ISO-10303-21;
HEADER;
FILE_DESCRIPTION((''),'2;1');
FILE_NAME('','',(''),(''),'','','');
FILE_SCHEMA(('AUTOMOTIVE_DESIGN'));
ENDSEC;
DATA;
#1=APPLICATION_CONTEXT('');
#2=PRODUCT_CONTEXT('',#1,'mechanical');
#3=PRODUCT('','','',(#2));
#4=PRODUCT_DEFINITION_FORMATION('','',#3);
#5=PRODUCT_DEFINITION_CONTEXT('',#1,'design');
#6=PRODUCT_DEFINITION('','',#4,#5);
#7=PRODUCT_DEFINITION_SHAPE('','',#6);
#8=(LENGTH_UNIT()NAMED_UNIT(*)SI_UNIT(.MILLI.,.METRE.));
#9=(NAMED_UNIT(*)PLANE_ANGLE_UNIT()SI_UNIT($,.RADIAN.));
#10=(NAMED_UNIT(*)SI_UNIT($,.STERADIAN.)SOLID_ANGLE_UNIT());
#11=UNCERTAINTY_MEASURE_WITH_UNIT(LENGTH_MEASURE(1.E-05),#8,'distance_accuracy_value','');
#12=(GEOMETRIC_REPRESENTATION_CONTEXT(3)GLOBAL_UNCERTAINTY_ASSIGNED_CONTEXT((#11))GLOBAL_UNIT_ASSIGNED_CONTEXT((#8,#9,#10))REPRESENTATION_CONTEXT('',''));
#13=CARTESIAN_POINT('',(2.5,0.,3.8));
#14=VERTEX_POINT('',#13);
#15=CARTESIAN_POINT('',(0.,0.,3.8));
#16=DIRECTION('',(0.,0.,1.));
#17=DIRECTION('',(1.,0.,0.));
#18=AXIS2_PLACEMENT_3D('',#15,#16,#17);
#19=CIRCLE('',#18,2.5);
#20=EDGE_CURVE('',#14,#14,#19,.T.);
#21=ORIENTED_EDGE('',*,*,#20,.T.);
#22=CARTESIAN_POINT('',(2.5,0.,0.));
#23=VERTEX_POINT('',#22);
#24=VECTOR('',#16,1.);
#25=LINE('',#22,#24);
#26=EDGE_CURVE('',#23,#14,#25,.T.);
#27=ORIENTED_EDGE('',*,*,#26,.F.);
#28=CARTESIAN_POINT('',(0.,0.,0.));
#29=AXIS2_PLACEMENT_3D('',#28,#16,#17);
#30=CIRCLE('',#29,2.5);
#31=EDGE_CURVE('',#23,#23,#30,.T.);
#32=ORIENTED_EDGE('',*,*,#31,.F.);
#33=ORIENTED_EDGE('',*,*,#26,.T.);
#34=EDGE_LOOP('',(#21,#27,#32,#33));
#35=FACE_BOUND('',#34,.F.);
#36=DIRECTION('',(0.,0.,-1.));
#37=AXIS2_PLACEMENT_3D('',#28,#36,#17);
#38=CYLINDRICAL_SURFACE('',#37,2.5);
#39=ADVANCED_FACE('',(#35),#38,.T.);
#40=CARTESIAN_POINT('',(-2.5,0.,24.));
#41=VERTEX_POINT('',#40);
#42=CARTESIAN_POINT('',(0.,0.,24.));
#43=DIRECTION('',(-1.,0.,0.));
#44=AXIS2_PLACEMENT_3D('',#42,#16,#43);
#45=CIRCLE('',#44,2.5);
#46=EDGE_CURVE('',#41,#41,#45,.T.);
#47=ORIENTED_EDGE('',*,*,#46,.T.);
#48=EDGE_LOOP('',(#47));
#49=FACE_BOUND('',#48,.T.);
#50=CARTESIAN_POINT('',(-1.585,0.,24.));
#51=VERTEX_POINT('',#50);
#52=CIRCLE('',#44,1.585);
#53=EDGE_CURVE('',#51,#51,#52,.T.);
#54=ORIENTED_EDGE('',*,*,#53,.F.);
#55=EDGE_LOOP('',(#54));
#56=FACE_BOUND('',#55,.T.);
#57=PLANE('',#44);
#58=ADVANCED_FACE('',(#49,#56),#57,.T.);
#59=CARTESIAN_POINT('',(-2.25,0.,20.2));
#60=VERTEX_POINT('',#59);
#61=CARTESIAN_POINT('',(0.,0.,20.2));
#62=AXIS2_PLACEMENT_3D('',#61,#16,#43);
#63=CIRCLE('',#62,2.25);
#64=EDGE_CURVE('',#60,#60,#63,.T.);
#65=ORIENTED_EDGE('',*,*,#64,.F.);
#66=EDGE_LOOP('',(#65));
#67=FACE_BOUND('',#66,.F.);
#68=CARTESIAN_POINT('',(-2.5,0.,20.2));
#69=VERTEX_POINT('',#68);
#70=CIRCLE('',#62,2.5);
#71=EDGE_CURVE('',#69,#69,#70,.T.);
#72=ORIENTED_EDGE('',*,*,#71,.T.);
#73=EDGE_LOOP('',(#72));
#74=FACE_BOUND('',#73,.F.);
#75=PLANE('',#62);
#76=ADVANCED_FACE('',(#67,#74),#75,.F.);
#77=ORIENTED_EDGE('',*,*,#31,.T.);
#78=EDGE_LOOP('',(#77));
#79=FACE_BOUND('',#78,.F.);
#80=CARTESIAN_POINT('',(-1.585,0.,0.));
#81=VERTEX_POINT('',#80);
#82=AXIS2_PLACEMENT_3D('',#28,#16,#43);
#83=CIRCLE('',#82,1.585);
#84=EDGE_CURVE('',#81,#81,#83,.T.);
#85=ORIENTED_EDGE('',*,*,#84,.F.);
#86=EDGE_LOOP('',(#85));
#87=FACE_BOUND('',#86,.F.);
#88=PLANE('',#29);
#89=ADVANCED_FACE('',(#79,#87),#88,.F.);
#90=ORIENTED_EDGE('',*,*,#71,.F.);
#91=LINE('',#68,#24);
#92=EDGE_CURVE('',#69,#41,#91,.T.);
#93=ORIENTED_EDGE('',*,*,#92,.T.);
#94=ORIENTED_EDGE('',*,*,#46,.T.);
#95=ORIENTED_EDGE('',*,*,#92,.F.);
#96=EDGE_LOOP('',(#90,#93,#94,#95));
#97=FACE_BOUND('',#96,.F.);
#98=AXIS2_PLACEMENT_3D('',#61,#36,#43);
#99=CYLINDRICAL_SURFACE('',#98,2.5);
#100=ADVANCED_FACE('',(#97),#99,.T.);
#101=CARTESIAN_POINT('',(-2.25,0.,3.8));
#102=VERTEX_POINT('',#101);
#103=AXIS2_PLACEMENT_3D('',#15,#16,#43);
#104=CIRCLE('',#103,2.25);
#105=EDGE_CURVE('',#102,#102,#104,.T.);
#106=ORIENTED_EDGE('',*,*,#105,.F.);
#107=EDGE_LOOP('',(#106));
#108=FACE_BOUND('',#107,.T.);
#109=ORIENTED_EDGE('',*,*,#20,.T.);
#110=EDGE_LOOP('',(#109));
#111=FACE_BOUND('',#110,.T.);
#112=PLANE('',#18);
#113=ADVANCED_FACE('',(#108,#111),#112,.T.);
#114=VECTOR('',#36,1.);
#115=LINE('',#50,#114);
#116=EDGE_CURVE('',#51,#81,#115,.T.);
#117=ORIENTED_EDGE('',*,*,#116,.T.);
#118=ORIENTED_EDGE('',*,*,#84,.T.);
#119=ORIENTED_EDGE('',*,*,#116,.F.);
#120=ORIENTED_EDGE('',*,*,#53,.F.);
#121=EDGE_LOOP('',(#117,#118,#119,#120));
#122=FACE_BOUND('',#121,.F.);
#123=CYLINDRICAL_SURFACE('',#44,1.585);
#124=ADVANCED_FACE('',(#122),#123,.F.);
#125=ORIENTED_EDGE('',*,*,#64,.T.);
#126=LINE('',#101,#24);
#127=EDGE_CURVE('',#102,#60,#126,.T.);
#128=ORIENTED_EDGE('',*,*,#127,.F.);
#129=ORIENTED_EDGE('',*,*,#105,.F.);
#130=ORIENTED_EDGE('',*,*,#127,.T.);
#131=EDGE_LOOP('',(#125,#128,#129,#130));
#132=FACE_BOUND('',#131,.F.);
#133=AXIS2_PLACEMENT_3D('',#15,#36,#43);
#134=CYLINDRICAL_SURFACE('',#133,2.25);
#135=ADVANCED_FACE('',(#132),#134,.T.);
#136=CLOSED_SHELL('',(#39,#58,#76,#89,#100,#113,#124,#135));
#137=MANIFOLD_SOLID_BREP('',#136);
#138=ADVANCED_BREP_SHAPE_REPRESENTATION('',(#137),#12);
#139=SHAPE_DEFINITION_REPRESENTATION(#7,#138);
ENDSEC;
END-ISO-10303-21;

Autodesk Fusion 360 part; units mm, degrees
sketch "スケッチ17" plane through (0, 0, 0) normal (0, 0, 1) x (1, 0, 0)
  circle A0 centre (0, 0) radius 2.5
  dimension "d50" = 5
extrude "押し出し14" add sketch "スケッチ17" along normal blind 3.8
sketch "スケッチ18" plane through (0, 0, 3.8) normal (0, 0, 1) x (-1, 0, 0)
  circle A0 centre (0, 0) radius 2.5
  circle A1 centre (0, 0) radius 2.25
  dimension "d53" = 4.5
extrude "押し出し15" add sketch "スケッチ18" along normal blind 16.4 contours A1
sketch "スケッチ19" plane through (0, 0, 20.2) normal (0, 0, 1) x (-1, 0, 0)
  circle A0 centre (0, 0) radius 2.25
  circle A1 centre (0, 0) radius 2.5
  dimension "d56" = 5
extrude "押し出し16" add sketch "スケッチ19" along normal blind 3.8 contours A0 | A1
sketch "スケッチ20" plane through (0, 0, 24) normal (0, 0, 1) x (-1, 0, 0)
  circle A0 centre (0, 0) radius 2.5
  circle A1 centre (0, 0) radius 1.585
  dimension "d59" = 3.17
extrude "押し出し17" cut sketch "スケッチ20" against normal blind 24 contours A1
